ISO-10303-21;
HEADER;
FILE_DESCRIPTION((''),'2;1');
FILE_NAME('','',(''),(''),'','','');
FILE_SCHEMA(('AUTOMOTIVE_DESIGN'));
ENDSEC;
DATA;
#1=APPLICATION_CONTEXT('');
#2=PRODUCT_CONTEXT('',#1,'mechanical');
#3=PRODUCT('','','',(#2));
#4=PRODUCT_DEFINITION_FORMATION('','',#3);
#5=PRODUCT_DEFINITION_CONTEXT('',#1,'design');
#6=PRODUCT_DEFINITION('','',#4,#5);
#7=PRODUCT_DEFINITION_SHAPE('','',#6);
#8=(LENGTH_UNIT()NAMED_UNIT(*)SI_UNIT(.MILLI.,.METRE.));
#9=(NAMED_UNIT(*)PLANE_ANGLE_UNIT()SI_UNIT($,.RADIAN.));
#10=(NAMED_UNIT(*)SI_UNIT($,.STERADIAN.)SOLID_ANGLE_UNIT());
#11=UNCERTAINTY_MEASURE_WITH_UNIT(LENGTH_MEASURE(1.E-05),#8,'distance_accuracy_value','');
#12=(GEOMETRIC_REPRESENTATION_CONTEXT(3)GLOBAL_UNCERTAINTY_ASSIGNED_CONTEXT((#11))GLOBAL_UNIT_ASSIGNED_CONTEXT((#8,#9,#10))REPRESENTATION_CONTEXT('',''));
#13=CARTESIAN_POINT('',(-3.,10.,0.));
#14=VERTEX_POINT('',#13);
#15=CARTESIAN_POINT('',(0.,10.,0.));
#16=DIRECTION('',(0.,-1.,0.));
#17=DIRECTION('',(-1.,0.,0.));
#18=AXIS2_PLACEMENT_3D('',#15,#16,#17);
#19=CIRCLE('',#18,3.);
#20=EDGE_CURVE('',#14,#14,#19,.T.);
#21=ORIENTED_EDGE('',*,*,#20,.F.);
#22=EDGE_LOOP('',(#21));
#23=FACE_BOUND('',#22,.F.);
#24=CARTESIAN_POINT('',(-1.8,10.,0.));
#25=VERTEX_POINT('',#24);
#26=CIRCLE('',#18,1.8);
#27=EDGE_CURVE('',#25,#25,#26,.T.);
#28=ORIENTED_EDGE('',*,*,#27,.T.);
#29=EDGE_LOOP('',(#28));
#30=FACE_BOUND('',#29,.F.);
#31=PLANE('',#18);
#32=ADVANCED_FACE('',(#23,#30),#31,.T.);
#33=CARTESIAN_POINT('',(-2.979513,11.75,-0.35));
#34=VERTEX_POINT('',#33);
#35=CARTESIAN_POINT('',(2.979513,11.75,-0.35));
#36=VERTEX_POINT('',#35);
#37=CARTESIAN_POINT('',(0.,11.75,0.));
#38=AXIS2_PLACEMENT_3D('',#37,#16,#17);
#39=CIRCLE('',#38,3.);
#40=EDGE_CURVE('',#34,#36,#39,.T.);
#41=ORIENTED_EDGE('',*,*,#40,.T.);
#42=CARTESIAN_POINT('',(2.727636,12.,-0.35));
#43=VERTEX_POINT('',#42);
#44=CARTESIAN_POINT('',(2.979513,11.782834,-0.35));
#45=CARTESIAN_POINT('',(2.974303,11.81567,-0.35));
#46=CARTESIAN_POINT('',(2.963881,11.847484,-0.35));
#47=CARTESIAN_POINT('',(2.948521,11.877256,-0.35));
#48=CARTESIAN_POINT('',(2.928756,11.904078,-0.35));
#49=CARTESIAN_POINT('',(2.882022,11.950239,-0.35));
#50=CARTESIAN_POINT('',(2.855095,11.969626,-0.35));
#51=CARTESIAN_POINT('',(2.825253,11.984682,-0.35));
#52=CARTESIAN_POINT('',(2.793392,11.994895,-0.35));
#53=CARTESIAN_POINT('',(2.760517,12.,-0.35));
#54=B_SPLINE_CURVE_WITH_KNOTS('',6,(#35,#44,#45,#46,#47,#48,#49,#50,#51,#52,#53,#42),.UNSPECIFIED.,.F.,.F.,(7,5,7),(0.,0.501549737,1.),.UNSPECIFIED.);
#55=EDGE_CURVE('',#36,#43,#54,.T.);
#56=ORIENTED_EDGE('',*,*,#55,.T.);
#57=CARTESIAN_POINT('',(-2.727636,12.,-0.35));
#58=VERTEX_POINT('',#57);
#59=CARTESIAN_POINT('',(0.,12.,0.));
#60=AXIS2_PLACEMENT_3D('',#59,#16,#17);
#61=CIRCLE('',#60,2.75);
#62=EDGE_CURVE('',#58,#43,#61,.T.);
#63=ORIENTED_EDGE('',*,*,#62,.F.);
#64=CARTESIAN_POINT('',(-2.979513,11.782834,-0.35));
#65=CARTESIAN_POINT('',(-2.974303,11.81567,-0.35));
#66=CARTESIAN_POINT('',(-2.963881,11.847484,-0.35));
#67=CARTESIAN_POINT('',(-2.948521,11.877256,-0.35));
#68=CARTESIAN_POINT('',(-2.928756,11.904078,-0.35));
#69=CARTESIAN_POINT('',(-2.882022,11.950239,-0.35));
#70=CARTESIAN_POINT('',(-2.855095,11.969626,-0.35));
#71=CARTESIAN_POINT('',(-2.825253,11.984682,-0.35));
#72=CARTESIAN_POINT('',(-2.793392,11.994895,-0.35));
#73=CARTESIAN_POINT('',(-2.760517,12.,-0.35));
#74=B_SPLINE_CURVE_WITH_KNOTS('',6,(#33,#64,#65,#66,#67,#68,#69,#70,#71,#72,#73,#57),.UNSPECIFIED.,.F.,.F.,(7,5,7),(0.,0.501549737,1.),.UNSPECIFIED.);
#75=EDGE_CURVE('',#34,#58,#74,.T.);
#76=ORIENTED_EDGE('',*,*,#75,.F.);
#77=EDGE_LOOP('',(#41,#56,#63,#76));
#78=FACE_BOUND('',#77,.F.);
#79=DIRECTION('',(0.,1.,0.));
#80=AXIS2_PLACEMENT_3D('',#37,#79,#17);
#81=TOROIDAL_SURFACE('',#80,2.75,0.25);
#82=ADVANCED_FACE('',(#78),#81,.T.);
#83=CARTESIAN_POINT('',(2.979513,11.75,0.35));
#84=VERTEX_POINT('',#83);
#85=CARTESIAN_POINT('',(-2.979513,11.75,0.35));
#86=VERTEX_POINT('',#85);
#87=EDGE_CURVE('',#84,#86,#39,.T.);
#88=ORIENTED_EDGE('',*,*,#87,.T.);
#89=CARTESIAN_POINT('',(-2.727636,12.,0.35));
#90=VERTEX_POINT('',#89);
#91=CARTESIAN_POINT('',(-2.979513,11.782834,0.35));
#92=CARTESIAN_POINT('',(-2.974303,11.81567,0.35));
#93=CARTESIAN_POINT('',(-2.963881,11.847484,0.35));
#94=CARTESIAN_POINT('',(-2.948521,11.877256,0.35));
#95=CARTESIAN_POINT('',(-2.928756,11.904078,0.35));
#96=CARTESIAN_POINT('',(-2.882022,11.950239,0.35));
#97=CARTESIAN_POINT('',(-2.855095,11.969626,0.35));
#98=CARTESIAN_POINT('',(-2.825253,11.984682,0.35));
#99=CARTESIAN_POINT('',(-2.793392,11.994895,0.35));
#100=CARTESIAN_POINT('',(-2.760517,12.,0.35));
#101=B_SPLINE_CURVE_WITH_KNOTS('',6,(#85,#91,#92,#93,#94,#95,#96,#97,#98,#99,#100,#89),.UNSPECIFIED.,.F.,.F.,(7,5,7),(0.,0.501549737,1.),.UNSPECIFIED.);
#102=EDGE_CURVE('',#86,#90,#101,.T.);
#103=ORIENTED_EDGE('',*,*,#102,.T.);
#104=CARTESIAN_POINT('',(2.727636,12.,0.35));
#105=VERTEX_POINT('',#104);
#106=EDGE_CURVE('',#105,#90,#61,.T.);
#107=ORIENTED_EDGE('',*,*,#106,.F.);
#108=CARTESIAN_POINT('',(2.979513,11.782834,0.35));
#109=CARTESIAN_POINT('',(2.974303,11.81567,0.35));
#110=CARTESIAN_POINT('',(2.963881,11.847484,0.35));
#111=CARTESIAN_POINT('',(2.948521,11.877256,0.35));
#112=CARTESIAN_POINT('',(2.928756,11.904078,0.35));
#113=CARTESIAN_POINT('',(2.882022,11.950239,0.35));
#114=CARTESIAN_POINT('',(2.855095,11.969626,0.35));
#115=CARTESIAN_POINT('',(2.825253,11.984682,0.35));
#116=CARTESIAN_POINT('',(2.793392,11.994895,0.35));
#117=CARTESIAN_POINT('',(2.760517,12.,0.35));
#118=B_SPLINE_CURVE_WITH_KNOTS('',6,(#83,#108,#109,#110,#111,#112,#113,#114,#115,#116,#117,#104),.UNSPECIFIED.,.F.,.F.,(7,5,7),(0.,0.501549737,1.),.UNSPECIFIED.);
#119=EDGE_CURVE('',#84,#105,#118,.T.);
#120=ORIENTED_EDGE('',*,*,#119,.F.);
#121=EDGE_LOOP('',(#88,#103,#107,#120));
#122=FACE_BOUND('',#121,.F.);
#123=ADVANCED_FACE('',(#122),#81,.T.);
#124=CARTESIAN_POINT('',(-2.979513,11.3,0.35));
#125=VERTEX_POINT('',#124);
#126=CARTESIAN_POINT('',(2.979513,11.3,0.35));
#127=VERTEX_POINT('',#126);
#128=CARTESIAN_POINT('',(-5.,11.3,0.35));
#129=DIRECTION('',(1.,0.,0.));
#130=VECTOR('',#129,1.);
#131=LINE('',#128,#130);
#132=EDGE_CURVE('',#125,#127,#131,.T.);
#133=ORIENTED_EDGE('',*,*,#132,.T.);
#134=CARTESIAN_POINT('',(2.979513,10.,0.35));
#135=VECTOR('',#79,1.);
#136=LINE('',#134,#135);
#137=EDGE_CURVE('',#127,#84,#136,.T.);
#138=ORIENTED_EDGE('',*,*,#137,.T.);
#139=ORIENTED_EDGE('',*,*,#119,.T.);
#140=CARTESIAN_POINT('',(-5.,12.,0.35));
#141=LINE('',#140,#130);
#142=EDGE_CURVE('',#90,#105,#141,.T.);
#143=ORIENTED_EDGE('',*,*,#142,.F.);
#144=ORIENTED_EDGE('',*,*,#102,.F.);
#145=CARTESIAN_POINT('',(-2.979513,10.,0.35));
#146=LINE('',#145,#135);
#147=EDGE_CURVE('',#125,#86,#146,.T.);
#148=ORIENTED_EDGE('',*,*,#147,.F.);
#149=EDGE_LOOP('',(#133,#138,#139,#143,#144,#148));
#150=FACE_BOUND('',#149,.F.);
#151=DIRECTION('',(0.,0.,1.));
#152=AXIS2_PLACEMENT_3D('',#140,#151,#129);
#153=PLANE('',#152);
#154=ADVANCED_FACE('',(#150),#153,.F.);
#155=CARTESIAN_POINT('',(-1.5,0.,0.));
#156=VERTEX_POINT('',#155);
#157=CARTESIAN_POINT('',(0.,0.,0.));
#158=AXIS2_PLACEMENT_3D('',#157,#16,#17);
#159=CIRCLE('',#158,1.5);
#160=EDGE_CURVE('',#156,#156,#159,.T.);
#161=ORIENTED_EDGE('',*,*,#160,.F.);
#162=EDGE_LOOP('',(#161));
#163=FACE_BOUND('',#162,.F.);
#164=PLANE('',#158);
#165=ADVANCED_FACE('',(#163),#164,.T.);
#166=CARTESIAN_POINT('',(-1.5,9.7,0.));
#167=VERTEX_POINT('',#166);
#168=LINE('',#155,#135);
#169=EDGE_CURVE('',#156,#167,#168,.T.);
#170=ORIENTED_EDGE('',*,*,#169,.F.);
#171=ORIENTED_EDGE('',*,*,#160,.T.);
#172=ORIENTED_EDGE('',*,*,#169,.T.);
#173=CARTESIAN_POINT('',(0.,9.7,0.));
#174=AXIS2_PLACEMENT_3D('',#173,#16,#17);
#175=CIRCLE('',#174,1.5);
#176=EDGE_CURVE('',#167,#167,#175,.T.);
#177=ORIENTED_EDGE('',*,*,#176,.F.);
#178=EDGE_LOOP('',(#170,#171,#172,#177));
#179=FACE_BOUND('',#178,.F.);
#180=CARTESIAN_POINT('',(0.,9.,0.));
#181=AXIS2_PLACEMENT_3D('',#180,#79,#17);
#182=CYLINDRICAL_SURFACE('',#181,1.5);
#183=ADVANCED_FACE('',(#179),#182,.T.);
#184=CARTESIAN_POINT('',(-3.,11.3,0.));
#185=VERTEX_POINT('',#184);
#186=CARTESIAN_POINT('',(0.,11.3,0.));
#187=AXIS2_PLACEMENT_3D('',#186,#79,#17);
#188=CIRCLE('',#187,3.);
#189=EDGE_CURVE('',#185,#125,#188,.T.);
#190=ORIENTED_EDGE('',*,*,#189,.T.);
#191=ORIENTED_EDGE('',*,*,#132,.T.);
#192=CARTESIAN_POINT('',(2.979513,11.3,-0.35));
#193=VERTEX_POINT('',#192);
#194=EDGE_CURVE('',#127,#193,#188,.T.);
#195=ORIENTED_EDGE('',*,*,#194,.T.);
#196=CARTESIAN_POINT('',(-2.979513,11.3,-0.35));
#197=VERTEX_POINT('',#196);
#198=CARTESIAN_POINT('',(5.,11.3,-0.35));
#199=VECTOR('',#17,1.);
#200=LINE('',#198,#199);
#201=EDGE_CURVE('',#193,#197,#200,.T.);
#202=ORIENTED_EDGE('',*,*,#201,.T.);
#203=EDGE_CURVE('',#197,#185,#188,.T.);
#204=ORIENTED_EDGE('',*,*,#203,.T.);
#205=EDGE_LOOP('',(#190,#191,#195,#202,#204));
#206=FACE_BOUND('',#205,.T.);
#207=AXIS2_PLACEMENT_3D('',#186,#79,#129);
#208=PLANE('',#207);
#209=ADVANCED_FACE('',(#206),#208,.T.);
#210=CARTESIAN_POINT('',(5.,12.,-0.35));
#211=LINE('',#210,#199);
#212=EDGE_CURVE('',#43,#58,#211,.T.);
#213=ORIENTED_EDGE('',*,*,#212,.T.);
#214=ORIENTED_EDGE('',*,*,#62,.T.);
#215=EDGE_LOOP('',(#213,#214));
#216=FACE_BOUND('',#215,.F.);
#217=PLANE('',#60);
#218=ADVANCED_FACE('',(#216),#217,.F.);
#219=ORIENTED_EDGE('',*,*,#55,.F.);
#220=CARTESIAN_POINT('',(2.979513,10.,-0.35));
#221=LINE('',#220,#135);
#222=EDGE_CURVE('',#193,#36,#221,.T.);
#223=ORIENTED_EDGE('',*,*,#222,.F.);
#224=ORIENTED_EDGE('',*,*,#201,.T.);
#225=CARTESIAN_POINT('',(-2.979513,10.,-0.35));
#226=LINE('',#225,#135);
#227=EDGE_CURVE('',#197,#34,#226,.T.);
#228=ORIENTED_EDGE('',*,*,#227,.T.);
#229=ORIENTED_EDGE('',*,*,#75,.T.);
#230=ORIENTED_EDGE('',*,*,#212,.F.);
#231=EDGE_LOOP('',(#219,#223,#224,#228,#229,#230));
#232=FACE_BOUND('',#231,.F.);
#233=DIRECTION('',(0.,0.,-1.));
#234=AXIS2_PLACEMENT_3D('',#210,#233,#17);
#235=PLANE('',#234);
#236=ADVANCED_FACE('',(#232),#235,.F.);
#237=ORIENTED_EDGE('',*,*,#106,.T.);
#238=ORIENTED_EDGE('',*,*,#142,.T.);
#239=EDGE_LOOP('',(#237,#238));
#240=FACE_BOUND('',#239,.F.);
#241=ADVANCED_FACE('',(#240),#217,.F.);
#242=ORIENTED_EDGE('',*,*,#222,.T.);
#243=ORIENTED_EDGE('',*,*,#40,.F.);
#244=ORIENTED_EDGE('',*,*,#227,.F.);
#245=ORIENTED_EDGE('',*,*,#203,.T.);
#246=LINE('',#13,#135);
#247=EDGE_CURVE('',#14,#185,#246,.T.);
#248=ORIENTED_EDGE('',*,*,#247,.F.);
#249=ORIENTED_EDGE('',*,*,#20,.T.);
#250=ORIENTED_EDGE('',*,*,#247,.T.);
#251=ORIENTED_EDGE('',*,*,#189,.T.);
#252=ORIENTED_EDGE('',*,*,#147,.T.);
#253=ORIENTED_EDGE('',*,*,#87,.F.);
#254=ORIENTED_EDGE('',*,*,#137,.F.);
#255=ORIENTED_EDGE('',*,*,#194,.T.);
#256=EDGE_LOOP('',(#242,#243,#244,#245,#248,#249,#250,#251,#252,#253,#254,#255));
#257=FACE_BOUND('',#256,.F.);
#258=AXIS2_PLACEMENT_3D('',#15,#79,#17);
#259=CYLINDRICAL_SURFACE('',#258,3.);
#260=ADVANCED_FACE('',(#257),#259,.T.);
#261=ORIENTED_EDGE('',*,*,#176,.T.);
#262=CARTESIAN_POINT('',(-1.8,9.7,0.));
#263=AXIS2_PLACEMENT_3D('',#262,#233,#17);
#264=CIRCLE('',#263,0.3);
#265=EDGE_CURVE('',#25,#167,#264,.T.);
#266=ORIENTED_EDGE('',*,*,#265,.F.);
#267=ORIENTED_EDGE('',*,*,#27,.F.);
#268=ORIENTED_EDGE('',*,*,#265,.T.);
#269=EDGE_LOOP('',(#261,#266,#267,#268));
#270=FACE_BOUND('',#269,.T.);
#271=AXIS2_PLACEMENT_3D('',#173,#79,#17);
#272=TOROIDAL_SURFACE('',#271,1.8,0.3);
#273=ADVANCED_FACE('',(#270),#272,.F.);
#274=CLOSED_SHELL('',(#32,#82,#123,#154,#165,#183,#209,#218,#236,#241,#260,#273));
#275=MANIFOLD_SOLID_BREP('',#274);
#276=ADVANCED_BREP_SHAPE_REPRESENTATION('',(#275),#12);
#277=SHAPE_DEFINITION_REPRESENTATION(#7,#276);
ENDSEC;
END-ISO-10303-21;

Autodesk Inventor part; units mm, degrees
ref_plane "YZ Plane" through (0, 0, 0) normal (1, 0, 0) x (0, 1, 0)
ref_plane "XZ Plane" through (0, 0, 0) normal (0, 1, 0) x (-1, 0, 0)
ref_plane "XY Plane" through (0, 0, 0) normal (0, 0, 1) x (1, 0, 0)
sketch "Sketch1" plane through (0, 0, 0) normal (0, 0, 1) x (1, 0, 0)
  line L0 (0, 0) -> (-1.5, 0)
  line L1 (-1.5, 0) -> (-1.5, 9)
  line L2 (-1.5, 9) -> (-1.5, 9)
  line L3 (-1.5, 9) -> (-1.5, 10)
  line L4 (-1.5, 10) -> (-3, 10)
  line L5 (-3, 10) -> (-3, 12)
  line L6 (-3, 12) -> (0, 12)
  line L7 (0, 12) -> (0, 0)
  dimension "d0" = 2
  dimension "d1" = 3
  dimension "d2" = 1.5
  dimension "d3" = 0
  dimension "d4" = 1
  dimension "d5" = 12
  dimension "d6" = 90
revolve "Revolution1" add sketch "Sketch1" angle 360 about axis through (0, 12, 0) along (0, -1, 0)
thread "Thread1" size "M3x0.35" class "6g" standard "ANSI Metric M Profile" length 27
sketch "Sketch2" plane through (0, 12, 0) normal (0, 1, 0) x (1, 0, 0)
  line L0 (5, 0.35) -> (-5, 0.35)
  line L1 (-5, 0.35) -> (-5, -0.35)
  line L2 (-5, -0.35) -> (5, -0.35)
  line L3 (5, -0.35) -> (5, 0.35)
  line L4 (5, 0.35) -> (-5, -0.35) construction
  line L5 (-5, 0.35) -> (5, -0.35) construction
  point P0 (0, 0)
  dimension "d10" = 10
  dimension "d11" = 0.7
fillet "Fillet1" radius 0.25 1 edges at (3, 12, 0)
extrude "Extrusion2" cut sketch "Sketch2" against normal blind 0.7
fillet "Fillet2" radius 0.3 1 edges at (1.5, 10, 0)
properties part number "Screw-CheeseHead-Brass-M3x10-Fine" material "Brass, Soft Yellow"
